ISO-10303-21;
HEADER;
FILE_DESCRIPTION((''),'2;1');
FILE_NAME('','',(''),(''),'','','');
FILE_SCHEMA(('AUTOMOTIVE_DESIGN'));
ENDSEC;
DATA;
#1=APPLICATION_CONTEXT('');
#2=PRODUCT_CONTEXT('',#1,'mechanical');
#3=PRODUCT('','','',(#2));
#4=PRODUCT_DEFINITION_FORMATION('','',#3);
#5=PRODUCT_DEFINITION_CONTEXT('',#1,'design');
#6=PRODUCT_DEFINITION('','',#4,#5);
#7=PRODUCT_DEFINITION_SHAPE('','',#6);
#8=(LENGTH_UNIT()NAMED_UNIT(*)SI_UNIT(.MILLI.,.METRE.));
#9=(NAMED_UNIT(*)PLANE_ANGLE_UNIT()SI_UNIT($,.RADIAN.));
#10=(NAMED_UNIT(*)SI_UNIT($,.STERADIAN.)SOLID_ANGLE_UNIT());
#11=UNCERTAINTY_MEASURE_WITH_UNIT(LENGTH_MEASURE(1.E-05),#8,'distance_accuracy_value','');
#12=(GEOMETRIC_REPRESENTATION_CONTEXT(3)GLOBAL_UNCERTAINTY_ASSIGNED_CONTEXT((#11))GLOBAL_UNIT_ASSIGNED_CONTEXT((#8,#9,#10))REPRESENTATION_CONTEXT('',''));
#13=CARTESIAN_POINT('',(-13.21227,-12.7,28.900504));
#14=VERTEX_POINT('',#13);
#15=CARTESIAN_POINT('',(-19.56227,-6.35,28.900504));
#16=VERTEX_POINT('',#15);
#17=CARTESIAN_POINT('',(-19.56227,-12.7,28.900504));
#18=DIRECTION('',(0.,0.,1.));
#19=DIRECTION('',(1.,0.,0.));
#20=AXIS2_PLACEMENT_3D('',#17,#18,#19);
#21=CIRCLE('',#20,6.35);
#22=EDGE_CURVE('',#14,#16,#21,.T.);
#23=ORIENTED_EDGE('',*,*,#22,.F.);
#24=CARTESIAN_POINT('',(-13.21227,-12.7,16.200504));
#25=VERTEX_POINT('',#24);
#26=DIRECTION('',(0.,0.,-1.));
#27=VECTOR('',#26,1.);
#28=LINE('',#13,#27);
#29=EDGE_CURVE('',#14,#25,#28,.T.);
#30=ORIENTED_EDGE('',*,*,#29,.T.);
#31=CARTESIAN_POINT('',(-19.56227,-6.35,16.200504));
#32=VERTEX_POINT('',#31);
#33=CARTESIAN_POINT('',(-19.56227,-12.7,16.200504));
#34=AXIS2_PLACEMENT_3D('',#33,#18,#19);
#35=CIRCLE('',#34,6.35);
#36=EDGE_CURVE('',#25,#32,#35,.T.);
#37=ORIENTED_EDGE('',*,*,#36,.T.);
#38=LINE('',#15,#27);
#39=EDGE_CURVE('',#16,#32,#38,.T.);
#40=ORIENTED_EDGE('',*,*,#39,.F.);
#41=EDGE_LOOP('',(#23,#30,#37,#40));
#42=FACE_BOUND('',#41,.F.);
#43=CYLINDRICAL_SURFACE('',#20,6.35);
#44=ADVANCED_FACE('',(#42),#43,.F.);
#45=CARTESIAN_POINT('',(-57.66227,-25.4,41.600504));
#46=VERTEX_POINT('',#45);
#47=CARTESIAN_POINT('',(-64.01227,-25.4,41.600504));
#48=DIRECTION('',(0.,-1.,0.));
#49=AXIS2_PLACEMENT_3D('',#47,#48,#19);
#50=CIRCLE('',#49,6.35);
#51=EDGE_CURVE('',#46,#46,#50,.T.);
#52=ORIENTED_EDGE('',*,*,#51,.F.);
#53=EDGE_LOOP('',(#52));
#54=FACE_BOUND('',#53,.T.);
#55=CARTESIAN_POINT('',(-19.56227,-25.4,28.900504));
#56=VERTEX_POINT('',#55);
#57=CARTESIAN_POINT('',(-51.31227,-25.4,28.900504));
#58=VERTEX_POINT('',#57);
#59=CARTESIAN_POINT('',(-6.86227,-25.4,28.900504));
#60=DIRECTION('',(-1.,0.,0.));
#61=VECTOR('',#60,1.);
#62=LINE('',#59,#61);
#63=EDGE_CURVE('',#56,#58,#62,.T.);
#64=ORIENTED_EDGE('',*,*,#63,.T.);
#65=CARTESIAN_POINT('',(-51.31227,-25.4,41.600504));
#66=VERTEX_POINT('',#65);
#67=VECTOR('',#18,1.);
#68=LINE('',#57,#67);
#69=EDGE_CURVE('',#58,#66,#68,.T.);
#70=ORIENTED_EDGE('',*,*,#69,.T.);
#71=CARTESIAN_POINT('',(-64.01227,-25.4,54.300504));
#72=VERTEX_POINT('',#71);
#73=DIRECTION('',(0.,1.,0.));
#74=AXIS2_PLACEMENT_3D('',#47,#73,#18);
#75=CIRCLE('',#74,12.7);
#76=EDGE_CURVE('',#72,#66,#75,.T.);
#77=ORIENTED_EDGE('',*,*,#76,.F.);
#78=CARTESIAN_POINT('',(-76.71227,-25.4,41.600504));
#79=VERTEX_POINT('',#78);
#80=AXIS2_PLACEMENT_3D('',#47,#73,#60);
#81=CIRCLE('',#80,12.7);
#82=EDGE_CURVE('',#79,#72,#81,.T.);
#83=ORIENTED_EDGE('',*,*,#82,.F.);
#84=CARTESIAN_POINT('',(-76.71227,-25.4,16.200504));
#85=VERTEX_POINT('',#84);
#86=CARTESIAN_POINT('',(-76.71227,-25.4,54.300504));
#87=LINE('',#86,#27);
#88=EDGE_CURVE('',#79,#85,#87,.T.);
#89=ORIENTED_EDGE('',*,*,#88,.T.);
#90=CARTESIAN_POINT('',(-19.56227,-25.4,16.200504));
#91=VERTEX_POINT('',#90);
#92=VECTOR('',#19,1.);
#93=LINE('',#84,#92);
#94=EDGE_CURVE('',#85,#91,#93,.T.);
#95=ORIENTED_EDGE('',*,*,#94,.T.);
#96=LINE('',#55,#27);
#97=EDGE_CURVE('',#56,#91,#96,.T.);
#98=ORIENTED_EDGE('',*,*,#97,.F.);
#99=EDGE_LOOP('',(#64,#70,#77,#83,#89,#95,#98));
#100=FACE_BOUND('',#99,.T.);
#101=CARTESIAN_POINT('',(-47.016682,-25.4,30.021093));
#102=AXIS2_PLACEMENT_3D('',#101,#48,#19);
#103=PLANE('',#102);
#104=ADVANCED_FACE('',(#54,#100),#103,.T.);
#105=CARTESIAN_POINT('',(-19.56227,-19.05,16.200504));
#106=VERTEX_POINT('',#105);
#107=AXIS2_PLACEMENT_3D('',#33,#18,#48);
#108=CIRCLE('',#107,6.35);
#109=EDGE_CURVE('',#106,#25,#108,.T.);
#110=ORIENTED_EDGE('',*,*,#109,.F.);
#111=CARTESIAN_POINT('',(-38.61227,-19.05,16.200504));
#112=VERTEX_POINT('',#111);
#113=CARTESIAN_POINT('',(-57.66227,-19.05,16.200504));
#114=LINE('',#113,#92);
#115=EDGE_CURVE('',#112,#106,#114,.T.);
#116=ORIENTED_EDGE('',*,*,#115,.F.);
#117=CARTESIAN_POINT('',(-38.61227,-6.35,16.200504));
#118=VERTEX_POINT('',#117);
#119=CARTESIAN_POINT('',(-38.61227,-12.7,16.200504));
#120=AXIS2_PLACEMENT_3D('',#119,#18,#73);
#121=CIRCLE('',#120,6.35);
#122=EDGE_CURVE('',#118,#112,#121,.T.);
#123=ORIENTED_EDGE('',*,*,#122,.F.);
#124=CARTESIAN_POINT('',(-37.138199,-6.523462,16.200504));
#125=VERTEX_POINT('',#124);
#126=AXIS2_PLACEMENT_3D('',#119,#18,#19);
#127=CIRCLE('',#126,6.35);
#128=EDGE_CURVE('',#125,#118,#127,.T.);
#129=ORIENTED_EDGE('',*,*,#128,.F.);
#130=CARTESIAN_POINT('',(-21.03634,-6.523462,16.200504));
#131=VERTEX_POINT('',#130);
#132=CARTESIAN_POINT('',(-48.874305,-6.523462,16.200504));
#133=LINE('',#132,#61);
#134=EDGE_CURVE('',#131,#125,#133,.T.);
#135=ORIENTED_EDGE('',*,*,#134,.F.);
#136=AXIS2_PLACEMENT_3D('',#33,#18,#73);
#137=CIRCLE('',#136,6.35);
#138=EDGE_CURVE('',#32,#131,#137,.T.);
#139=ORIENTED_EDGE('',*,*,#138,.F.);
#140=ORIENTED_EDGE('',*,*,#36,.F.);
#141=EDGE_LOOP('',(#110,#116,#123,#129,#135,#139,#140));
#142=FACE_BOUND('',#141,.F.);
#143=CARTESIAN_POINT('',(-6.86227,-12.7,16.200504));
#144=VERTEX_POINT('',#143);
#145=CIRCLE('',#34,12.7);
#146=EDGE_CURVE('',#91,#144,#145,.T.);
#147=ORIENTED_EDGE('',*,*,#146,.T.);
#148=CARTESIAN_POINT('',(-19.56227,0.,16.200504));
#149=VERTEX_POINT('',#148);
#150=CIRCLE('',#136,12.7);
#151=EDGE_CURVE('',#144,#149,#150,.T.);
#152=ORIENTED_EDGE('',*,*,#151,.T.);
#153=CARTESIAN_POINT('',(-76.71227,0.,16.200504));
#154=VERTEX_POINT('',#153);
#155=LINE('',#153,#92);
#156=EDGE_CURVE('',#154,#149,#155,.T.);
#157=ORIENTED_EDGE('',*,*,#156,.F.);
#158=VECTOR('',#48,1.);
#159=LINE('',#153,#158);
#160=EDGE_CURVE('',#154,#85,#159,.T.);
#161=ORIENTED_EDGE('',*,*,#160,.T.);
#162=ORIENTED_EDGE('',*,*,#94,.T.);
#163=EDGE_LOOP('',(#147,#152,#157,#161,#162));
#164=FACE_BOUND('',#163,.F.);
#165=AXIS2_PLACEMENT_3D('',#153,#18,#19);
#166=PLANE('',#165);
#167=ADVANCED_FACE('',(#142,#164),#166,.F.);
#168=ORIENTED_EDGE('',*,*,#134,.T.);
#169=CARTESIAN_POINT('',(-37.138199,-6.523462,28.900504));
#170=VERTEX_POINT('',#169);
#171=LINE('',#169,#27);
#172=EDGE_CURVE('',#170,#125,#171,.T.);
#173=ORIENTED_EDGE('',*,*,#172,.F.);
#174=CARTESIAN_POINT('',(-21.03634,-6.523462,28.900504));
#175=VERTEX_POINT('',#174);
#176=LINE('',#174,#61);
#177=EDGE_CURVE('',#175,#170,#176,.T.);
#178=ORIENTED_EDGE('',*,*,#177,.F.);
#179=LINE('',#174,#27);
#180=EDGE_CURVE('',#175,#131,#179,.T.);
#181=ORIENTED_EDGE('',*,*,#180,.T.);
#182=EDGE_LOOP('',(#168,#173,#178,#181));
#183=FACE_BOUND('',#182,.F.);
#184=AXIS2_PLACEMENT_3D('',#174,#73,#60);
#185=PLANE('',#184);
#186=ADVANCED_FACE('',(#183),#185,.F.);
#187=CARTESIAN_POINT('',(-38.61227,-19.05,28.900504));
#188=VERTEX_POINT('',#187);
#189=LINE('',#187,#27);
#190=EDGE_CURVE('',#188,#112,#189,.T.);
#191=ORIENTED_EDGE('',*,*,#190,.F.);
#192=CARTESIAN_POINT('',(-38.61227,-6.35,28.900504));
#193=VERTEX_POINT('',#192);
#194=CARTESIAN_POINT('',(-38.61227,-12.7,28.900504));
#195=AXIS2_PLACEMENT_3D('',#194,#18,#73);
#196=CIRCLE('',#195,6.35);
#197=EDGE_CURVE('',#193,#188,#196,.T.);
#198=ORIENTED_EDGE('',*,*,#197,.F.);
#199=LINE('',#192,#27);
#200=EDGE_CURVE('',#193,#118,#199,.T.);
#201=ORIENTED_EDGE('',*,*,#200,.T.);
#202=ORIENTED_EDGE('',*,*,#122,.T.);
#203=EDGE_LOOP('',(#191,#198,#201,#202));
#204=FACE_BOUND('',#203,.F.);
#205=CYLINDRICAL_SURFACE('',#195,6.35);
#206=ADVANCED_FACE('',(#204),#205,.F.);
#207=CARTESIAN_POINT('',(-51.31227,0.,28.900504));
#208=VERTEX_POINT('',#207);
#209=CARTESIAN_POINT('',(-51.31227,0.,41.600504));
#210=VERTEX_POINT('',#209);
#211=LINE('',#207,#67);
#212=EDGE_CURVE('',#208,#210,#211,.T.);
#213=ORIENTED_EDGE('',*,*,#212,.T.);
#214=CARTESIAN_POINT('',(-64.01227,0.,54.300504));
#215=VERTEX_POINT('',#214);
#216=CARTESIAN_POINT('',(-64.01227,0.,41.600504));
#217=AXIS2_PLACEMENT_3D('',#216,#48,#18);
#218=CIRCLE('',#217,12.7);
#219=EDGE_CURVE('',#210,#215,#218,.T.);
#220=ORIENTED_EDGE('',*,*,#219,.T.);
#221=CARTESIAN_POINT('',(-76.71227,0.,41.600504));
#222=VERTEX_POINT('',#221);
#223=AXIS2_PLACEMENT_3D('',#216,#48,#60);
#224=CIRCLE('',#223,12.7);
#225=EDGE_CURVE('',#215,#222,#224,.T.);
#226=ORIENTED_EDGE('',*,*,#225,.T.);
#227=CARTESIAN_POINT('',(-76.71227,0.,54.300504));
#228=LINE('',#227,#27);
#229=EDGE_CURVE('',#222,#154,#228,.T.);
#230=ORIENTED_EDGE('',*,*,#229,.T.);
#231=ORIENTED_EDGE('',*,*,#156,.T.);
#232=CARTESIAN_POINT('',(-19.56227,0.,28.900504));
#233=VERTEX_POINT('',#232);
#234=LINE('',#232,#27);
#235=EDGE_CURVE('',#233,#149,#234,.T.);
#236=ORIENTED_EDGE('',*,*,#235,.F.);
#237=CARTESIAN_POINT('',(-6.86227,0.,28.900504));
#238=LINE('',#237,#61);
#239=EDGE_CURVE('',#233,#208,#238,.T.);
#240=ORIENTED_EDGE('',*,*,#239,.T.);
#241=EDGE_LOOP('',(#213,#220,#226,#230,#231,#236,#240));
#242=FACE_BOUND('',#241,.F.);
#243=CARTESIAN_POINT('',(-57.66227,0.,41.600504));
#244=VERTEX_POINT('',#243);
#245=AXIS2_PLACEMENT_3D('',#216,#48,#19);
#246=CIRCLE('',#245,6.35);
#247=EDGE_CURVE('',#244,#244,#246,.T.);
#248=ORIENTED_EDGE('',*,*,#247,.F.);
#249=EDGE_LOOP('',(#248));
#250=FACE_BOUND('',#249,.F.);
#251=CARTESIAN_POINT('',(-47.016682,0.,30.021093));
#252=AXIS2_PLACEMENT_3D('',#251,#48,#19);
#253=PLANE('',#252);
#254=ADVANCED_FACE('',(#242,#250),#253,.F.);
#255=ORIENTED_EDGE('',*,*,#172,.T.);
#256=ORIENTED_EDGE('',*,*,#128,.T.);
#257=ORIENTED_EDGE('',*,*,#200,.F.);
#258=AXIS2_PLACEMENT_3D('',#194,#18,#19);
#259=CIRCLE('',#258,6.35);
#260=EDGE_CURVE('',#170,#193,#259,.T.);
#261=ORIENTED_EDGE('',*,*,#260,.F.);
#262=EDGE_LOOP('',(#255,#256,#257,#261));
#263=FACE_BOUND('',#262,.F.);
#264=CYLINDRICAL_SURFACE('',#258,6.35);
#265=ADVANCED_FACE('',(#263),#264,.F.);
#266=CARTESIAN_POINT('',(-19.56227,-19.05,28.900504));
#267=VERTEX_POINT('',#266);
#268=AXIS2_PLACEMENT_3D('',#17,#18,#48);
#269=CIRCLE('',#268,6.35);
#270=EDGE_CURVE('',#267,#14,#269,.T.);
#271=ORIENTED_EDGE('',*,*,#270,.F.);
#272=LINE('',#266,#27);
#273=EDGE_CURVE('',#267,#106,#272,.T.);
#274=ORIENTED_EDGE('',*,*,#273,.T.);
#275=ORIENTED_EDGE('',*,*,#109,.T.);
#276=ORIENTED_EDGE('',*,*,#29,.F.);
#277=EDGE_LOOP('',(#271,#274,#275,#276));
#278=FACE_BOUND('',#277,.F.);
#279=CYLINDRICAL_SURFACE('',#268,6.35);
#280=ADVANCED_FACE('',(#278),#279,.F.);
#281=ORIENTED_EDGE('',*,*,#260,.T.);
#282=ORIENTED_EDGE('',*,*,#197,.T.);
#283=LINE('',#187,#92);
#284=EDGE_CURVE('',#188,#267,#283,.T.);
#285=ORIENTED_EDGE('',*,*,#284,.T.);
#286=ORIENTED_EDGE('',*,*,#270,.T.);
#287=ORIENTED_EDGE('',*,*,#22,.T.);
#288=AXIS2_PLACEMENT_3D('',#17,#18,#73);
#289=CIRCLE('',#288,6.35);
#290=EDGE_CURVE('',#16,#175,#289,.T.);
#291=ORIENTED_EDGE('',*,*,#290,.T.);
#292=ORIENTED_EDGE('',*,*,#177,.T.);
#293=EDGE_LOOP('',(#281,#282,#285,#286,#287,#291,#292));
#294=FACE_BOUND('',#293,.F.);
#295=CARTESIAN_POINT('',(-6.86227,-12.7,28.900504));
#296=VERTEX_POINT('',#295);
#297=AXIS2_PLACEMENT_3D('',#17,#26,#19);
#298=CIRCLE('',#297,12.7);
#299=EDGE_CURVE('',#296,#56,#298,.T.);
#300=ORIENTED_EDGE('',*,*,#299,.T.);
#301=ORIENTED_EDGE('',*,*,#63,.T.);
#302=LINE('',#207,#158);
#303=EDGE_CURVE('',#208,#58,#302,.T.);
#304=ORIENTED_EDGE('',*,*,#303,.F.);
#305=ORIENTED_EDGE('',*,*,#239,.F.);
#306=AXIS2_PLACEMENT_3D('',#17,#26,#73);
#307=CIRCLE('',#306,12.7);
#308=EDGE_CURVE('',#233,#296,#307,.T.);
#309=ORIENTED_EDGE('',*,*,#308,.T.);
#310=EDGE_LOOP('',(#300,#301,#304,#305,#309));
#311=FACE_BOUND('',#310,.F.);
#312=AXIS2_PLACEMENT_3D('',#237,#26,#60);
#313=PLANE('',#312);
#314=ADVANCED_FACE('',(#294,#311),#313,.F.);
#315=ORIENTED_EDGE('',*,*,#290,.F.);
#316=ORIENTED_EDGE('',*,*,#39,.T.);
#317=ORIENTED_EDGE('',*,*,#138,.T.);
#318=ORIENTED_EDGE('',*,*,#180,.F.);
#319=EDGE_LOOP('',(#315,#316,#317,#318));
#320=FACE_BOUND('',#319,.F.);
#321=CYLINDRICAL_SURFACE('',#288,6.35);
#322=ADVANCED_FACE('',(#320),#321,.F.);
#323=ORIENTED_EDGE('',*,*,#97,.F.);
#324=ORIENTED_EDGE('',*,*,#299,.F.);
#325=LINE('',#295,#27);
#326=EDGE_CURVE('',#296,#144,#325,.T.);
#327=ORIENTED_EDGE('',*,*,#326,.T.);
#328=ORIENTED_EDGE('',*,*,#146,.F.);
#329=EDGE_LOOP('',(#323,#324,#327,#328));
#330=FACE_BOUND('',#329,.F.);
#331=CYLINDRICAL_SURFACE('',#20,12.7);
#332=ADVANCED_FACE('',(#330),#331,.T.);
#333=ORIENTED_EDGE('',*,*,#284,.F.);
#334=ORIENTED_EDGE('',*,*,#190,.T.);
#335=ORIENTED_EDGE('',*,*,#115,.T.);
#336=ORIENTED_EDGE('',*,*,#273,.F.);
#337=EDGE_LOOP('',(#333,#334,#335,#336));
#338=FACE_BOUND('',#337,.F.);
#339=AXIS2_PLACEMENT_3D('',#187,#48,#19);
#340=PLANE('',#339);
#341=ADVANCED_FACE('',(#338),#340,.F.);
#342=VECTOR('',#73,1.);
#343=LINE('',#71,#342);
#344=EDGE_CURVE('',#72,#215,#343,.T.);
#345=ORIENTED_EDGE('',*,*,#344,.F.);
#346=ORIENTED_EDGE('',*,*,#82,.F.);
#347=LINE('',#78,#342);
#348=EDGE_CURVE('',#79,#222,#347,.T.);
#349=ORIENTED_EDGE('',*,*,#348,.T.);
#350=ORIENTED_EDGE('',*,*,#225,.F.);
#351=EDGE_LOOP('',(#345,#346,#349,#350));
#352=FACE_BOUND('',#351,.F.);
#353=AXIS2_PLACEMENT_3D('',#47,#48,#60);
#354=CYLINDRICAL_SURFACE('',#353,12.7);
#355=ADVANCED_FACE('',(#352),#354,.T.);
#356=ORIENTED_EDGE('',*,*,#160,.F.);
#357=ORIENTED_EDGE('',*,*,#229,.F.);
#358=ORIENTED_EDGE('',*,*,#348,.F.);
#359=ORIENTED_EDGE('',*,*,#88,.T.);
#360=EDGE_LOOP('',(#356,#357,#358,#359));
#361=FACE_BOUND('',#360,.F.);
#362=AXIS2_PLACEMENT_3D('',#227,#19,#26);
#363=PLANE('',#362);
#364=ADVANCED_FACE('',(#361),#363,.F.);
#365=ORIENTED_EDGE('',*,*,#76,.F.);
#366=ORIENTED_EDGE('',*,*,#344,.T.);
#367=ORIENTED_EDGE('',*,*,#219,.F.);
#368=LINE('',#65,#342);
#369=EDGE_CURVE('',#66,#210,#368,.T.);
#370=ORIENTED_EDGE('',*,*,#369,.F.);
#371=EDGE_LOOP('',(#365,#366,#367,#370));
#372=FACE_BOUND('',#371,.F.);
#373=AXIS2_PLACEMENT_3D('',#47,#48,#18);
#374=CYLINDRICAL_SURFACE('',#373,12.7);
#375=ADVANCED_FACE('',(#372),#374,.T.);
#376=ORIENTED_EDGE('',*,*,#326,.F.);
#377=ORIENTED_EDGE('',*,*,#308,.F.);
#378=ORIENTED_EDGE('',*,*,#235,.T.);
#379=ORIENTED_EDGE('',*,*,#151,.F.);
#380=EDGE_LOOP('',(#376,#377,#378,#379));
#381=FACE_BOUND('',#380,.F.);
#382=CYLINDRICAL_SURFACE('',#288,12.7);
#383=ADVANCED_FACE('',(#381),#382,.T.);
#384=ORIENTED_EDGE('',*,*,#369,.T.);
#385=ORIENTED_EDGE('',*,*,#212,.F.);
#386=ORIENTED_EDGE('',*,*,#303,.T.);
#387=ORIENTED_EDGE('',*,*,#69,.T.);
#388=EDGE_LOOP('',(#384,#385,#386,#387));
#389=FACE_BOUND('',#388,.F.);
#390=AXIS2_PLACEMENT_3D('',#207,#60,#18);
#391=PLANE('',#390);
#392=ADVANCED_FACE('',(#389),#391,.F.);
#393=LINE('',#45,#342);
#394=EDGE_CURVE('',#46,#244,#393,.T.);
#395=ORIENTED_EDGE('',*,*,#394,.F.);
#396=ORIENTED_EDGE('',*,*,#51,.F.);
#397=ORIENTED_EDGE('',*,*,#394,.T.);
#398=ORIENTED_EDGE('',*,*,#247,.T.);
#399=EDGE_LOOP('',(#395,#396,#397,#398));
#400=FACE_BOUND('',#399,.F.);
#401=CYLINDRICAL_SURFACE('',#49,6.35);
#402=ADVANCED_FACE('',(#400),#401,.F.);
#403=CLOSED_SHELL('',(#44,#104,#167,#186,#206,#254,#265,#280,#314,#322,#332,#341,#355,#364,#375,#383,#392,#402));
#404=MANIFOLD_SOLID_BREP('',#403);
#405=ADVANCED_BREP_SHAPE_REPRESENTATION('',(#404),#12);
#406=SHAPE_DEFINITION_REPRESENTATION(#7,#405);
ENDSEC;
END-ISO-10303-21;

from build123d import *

# Parameters (mm, degrees)
F1_DEPTH  = 25.4
F4_DEPTH  = 25.401
F3_R      = 6.35
F5_DEPTH  = 25.401
F8_DEPTH  = 12.701
F9_DEPTH  = 12.701
F11_DEPTH = 12.701


with BuildPart() as f1:
    # F0 (on Front) → F1 (new body)
    with BuildSketch(Plane.XZ):
        Polygon((-51.3122697964, 54.3005044411), (-76.7122697964, 54.3005044411), (-76.7122697964, 16.2005044411), (-6.8622697964, 16.2005044411), (-6.8622697964, 28.9005044411), (-51.3122697964, 28.9005044411), align=None)
    extrude(amount=F1_DEPTH)

    # F2 (on face) → F4 (cut, through all)
    with BuildSketch(Plane.XZ.offset(25.4)):
        with BuildLine():
            ThreePointArc((-76.7122697964, 41.6005044411), (-72.9925259175, 50.5807605622), (-64.0122697964, 54.3005044411))
            Line((-64.0122697964, 54.3005044411), (-76.7122697964, 54.3005044411))
            Line((-76.7122697964, 54.3005044411), (-76.7122697964, 41.6005044411))
        make_face()
        with BuildLine():
            ThreePointArc((-64.0122697964, 54.3005044411), (-55.0320136754, 50.5807605622), (-51.3122697964, 41.6005044411))
            Line((-51.3122697964, 41.6005044411), (-51.3122697964, 54.3005044411))
            Line((-51.3122697964, 54.3005044411), (-64.0122697964, 54.3005044411))
        make_face()
    extrude(amount=-F4_DEPTH, mode=Mode.SUBTRACT)

    # F3 (on face) → F5 (cut, through all)
    with BuildSketch(Plane.XZ.offset(25.4)):
        with Locations((-64.0122697964, 41.6005044411)):
            Circle(F3_R)
    extrude(amount=-F5_DEPTH, mode=Mode.SUBTRACT)

    # F6 (on face) → F8 (cut, through all)
    with BuildSketch(Plane.XY.offset(28.9005044411)):
        with BuildLine():
            ThreePointArc((-38.6122697964, -19.05), (-34.1221417359, -17.1901280605), (-32.2622697964, -12.7))
            ThreePointArc((-32.2622697964, -12.7), (-34.1221417359, -8.2098719395), (-38.6122697964, -6.35))
            ThreePointArc((-38.6122697964, -6.35), (-44.9622697964, -12.7), (-38.6122697964, -19.05))
        make_face()
        with BuildLine():
            ThreePointArc((-13.2122697964, -12.7), (-15.0721417359, -8.2098719395), (-19.5622697964, -6.35))
            ThreePointArc((-19.5622697964, -6.35), (-25.9122697964, -12.7), (-19.5622697964, -19.05))
            ThreePointArc((-19.5622697964, -19.05), (-15.0721417359, -17.1901280605), (-13.2122697964, -12.7))
        make_face()
    extrude(amount=-F8_DEPTH, mode=Mode.SUBTRACT)

    # F7 (on face) → F9 (cut, through all)
    with BuildSketch(Plane.XY.offset(28.9005044411)):
        with BuildLine():
            Line((-21.0363403239, -6.5234624522), (-37.1381992689, -6.5234624522))
            ThreePointArc((-37.1381992689, -6.5234624522), (-33.6281526304, -8.7654001379), (-32.2622697964, -12.7))
            ThreePointArc((-32.2622697964, -12.7), (-34.1221417359, -17.1901280605), (-38.6122697964, -19.05))
            Line((-38.6122697964, -19.05), (-19.5622697964, -19.05))
            ThreePointArc((-19.5622697964, -19.05), (-25.8687550865, -13.4421208026), (-21.0363403239, -6.5234624522))
        make_face()
    extrude(amount=-F9_DEPTH, mode=Mode.SUBTRACT)

    # F10 (on face) → F11 (cut, through all)
    with BuildSketch(Plane.XY.offset(28.9005044411)):
        with BuildLine():
            ThreePointArc((-19.5622697964, 0), (-10.5820136754, -3.7197438789), (-6.8622697964, -12.7))
            Line((-6.8622697964, -12.7), (-6.8622697964, 0))
            Line((-6.8622697964, 0), (-19.5622697964, 0))
        make_face()
        with BuildLine():
            Line((-6.8622697964, -25.4), (-6.8622697964, -12.7))
            ThreePointArc((-6.8622697964, -12.7), (-10.5820136754, -21.6802561211), (-19.5622697964, -25.4))
            Line((-19.5622697964, -25.4), (-6.8622697964, -25.4))
        make_face()
    extrude(amount=-F11_DEPTH, mode=Mode.SUBTRACT)


solid = f1.part
